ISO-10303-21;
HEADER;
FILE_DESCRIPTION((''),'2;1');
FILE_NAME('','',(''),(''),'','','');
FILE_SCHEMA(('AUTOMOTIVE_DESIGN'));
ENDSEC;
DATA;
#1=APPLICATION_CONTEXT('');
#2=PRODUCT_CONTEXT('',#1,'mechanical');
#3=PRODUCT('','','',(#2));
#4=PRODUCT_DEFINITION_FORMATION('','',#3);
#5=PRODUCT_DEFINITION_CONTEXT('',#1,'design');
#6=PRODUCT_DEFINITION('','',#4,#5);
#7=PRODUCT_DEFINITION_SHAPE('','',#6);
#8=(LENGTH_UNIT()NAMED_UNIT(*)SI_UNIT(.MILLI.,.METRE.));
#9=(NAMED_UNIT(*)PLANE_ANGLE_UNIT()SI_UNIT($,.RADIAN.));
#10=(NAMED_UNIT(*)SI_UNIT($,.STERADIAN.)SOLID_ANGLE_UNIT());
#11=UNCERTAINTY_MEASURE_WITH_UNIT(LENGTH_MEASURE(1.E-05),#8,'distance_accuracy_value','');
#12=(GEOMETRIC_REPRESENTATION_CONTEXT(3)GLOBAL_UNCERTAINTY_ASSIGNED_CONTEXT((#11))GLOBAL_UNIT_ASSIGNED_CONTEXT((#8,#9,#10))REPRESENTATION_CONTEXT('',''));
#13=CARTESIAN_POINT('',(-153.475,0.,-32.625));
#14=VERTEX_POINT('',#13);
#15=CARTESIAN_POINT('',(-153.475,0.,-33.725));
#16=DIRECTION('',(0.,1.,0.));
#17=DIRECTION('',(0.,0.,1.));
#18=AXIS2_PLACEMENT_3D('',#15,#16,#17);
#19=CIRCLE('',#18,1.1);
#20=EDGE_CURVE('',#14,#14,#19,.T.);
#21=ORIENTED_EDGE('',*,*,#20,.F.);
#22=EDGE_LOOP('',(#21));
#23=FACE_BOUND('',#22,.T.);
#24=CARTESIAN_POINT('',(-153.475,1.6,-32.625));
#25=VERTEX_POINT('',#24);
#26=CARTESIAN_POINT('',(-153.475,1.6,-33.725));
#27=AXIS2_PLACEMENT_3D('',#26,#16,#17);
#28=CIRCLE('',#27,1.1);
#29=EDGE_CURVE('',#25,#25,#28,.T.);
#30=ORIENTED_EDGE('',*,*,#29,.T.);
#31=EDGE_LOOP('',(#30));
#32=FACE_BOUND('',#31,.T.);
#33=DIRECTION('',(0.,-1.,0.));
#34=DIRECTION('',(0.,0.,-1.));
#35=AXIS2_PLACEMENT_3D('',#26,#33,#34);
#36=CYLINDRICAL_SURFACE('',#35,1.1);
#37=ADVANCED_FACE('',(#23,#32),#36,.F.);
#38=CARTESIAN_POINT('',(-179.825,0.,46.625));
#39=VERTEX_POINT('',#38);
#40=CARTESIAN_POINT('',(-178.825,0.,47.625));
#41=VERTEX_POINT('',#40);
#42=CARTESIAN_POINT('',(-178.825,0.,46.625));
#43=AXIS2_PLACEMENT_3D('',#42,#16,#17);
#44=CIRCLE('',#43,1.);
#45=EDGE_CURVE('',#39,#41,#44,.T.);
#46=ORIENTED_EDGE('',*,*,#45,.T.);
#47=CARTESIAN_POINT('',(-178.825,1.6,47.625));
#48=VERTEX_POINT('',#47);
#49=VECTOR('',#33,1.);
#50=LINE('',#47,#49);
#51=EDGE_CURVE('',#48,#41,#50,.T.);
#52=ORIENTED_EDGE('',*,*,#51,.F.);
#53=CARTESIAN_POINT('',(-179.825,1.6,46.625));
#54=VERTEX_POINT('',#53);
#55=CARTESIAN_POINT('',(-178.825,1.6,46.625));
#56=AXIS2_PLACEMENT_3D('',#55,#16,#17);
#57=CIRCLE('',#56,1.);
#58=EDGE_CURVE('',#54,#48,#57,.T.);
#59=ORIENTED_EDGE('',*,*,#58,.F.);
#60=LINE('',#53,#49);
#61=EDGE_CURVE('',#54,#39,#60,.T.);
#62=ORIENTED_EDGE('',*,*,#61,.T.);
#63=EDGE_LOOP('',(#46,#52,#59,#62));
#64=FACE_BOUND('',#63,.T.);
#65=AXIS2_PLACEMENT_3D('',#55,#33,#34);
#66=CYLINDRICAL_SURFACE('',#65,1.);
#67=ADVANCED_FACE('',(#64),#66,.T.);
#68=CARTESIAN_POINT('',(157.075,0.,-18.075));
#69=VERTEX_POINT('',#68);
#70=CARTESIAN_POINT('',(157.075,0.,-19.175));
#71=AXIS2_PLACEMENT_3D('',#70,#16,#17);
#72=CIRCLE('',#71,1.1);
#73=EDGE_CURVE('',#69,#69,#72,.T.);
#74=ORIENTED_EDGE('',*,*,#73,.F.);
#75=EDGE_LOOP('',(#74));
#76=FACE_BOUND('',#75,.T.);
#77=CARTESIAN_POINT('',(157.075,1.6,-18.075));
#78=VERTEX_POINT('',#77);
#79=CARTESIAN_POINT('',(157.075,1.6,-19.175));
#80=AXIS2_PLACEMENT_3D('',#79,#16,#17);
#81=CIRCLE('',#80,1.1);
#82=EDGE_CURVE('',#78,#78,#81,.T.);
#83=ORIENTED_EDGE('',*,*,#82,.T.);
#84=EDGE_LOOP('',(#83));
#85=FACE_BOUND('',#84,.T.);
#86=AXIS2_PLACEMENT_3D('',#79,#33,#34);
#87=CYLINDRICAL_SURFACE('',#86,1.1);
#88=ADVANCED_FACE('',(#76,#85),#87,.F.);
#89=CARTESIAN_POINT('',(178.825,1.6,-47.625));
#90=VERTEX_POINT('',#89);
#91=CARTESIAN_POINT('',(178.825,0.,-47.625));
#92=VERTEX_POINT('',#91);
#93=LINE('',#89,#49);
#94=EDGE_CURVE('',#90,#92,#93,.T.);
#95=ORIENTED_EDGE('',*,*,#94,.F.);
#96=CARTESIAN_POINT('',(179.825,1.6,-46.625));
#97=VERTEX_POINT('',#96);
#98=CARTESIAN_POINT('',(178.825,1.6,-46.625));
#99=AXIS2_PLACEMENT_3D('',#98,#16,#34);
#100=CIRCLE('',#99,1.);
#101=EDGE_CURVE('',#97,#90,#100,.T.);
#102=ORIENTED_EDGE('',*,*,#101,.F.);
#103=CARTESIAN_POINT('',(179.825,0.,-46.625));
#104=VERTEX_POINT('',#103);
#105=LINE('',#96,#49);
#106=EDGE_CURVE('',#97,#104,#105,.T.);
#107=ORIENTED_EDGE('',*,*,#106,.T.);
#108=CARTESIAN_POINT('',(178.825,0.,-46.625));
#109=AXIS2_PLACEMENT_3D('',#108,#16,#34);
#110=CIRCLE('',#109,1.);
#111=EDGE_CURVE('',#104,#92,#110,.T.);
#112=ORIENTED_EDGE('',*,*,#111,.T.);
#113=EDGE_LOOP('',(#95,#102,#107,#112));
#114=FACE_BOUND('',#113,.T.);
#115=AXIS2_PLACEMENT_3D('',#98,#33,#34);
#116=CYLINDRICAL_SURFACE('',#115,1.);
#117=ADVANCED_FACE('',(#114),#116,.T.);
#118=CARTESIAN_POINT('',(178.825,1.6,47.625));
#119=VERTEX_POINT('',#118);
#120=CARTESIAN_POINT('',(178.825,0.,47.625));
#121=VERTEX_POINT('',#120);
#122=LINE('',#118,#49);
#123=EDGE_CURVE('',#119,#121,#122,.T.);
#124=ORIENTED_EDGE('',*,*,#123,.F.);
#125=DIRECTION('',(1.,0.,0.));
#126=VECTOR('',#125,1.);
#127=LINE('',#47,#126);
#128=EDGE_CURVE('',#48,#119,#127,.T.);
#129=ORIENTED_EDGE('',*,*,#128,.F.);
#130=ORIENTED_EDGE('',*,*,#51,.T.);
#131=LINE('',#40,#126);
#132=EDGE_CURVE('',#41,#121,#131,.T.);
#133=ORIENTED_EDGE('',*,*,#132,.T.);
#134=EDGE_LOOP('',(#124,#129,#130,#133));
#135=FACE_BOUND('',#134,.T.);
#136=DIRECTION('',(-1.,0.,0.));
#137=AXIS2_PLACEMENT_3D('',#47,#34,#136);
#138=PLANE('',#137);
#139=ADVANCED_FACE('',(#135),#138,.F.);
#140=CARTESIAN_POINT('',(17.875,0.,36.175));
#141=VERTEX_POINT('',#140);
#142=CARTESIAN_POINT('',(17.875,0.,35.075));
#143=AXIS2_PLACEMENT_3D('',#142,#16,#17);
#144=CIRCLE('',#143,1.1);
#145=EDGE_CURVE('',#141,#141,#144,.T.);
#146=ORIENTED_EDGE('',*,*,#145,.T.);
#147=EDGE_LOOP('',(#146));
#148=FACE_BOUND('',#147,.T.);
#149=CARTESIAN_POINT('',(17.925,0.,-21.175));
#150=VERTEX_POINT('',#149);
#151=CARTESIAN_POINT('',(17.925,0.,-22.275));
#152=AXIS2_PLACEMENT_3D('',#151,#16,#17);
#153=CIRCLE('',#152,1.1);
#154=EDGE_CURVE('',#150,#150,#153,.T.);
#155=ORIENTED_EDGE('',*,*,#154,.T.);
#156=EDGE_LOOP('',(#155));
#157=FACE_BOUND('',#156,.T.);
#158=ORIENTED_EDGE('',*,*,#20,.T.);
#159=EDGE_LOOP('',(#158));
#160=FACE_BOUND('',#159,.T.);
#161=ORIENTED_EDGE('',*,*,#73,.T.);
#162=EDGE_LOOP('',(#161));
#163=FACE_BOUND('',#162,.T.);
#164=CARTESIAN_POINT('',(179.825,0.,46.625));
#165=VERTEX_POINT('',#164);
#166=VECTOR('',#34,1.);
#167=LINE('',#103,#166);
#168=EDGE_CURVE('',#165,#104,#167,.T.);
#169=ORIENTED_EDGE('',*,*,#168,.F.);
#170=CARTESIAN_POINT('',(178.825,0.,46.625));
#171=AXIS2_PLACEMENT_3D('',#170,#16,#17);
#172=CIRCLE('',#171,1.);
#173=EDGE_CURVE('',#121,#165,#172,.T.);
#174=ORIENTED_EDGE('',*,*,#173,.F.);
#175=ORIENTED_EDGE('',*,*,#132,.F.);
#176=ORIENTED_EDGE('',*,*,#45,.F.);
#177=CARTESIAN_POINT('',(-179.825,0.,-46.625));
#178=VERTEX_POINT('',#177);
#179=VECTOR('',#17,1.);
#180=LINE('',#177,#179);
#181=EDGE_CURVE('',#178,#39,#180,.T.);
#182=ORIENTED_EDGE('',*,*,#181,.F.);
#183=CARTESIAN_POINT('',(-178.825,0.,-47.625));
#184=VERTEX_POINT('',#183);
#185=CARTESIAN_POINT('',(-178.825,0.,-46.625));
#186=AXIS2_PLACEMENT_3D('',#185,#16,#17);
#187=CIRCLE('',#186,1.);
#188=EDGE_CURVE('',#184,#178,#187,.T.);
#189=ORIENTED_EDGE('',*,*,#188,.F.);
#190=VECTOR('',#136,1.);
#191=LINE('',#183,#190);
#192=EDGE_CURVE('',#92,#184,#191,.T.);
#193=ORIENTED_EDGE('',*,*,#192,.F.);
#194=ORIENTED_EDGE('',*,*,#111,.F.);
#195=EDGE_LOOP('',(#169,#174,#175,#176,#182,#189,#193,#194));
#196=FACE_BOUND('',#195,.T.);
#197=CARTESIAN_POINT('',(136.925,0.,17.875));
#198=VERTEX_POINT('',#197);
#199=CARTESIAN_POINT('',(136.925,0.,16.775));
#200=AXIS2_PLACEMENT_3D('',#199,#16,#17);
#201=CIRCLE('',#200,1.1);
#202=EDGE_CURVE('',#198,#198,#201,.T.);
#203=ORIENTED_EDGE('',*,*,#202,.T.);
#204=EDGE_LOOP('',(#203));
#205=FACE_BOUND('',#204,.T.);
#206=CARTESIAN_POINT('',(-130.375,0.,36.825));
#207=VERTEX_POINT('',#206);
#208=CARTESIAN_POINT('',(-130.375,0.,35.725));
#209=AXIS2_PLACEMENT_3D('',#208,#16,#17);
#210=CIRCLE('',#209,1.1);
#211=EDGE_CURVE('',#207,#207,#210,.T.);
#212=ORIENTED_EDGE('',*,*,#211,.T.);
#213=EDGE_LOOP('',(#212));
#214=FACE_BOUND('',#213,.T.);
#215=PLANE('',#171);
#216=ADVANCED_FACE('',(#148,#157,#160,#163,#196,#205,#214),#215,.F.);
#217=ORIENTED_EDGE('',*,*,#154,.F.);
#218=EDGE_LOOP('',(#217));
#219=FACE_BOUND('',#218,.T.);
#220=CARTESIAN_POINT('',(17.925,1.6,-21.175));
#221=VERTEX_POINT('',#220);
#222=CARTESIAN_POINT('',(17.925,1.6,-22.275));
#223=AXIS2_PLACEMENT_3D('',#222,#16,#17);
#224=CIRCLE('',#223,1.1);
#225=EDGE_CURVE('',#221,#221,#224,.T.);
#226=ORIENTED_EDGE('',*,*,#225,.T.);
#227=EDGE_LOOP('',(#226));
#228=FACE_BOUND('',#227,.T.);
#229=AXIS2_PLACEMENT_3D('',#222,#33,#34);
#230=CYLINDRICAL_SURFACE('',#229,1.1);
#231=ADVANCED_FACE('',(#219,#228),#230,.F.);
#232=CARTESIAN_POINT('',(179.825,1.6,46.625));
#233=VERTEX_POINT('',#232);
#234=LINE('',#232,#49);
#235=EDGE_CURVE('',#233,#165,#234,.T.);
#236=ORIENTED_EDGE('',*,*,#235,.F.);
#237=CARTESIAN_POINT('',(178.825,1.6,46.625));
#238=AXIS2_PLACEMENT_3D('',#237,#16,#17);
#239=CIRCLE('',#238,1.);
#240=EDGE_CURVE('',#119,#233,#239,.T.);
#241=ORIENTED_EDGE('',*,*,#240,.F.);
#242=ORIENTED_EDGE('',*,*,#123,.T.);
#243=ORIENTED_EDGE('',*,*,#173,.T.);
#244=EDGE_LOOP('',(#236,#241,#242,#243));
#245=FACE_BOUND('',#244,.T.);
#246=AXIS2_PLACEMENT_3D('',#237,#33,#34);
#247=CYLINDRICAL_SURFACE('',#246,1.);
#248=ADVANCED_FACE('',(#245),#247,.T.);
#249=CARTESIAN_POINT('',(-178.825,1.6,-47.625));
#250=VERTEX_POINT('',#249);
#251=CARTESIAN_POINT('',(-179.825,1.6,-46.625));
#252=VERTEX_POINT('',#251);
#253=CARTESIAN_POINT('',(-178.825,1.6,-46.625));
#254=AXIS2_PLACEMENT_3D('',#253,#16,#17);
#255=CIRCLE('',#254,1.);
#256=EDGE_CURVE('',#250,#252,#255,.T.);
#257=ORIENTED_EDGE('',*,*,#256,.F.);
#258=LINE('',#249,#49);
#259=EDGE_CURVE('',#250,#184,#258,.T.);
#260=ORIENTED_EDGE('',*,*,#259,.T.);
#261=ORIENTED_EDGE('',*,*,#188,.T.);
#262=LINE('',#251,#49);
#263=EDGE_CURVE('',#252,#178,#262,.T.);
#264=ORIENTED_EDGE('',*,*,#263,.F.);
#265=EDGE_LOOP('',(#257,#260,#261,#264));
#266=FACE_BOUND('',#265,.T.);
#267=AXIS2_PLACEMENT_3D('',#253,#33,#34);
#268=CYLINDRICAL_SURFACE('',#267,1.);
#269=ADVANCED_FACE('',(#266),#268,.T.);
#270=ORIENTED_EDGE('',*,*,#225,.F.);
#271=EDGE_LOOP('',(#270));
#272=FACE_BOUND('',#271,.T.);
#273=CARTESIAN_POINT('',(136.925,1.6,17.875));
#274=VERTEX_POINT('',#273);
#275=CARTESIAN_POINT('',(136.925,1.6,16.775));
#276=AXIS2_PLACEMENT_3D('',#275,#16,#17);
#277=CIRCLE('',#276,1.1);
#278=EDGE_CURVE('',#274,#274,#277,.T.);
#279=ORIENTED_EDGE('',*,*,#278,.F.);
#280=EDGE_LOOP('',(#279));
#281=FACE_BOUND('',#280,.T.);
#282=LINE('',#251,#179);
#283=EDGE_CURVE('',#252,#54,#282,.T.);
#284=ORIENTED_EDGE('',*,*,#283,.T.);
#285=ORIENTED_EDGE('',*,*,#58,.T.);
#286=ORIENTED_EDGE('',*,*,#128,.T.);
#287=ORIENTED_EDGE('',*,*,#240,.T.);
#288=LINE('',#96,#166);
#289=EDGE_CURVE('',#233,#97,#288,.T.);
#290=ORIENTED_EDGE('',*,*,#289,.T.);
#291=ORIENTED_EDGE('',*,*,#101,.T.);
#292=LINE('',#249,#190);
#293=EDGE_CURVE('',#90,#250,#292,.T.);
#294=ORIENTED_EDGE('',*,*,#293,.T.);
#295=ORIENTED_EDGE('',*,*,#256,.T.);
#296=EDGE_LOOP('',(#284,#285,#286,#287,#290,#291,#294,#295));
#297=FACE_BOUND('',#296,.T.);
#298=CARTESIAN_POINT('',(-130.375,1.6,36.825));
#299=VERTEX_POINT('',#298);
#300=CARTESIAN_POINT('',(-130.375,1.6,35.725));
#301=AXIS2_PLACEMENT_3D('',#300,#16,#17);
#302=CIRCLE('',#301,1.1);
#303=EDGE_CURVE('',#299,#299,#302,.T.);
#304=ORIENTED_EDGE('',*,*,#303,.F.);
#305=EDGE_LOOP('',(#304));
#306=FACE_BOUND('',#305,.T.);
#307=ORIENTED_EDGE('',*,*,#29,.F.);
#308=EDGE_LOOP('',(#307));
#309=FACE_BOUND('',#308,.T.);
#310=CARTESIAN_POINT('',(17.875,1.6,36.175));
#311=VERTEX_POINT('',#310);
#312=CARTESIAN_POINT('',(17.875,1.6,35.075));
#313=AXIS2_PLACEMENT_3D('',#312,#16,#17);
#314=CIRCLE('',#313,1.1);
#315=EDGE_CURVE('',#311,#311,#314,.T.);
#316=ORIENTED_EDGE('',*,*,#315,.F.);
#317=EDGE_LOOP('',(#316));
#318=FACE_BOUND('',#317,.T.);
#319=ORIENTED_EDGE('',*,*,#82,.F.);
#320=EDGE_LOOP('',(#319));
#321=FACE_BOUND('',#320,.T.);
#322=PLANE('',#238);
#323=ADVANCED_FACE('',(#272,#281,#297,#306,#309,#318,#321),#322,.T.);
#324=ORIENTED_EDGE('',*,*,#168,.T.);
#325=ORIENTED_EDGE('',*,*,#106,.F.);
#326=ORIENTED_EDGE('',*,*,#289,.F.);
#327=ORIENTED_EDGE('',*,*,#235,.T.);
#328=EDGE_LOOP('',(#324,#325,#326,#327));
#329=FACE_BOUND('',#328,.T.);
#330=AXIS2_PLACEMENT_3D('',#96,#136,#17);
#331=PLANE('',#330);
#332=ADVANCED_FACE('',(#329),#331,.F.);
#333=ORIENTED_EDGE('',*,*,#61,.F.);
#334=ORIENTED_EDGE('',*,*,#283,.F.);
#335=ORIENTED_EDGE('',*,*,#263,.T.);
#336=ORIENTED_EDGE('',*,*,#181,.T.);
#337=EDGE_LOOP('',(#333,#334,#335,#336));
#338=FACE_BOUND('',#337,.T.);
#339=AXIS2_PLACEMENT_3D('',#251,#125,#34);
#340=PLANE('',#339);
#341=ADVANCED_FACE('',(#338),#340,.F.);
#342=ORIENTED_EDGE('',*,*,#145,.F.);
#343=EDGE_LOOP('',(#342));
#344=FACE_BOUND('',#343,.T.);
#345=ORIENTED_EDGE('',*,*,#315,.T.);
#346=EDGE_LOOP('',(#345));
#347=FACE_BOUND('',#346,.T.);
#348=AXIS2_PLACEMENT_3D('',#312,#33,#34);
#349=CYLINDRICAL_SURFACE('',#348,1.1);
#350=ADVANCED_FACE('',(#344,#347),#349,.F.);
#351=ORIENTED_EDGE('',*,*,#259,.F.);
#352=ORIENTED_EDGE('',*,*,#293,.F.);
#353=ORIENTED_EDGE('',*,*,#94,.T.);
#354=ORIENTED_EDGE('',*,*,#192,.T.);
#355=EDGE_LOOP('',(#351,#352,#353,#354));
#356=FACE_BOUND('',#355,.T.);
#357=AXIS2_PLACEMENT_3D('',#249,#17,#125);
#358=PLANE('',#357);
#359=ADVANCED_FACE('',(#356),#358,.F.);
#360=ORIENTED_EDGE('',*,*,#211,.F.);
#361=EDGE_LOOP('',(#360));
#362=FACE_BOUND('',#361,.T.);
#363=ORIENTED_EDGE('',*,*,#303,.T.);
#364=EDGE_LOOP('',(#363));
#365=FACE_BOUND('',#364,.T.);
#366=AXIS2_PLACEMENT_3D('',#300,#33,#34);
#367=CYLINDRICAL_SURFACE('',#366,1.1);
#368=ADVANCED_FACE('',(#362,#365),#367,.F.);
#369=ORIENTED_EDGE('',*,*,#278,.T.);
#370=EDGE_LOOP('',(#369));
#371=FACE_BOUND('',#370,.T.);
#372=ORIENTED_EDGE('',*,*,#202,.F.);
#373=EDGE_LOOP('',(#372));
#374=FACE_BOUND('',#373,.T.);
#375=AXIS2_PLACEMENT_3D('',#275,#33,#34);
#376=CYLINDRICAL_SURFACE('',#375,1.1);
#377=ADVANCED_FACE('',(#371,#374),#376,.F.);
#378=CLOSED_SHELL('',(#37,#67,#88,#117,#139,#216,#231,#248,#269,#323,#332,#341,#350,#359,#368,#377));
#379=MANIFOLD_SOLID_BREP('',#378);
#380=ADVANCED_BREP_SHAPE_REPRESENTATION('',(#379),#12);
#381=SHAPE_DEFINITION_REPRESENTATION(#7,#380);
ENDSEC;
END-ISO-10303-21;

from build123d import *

# Parameters (mm, degrees)
SKETCH1_R           = 1.1
BOSS_EXTRUDE1_DEPTH = 1.6


with BuildPart() as part:
    # Sketch1 → Boss-Extrude1 (new body)
    with BuildSketch(Plane(origin=(0, 0, 0), x_dir=(1, 0, 0), z_dir=(0, 1, 0))):
        with BuildLine():
            Line((-178.825, 47.625), (178.825, 47.625))
            ThreePointArc((178.825, 47.625), (179.532106781, 47.332106781), (179.825, 46.625))
            Line((179.825, 46.625), (179.825, -46.625))
            ThreePointArc((179.825, -46.625), (179.532106781, -47.332106781), (178.825, -47.625))
            Line((178.825, -47.625), (-178.825, -47.625))
            ThreePointArc((-178.825, -47.625), (-179.532106781, -47.332106781), (-179.825, -46.625))
            Line((-179.825, -46.625), (-179.825, 46.625))
            ThreePointArc((-179.825, 46.625), (-179.532106781, 47.332106781), (-178.825, 47.625))
        make_face()
        with Locations(Location((157.075, 19.175, 0), (0, 0, 270))):
            Circle(SKETCH1_R, mode=Mode.SUBTRACT)
        with Locations(Location((136.925, -16.775, 0), (0, 0, 270))):
            Circle(SKETCH1_R, mode=Mode.SUBTRACT)
        with Locations(Location((-153.475, 33.725, 0), (0, 0, 270))):
            Circle(SKETCH1_R, mode=Mode.SUBTRACT)
        with Locations(Location((17.925, 22.275, 0), (0, 0, 270))):
            Circle(SKETCH1_R, mode=Mode.SUBTRACT)
        with Locations(Location((17.875, -35.075, 0), (0, 0, 270))):
            Circle(SKETCH1_R, mode=Mode.SUBTRACT)
        with Locations(Location((-130.375, -35.725, 0), (0, 0, 270))):
            Circle(SKETCH1_R, mode=Mode.SUBTRACT)
    extrude(amount=BOSS_EXTRUDE1_DEPTH)


solid = part.part
